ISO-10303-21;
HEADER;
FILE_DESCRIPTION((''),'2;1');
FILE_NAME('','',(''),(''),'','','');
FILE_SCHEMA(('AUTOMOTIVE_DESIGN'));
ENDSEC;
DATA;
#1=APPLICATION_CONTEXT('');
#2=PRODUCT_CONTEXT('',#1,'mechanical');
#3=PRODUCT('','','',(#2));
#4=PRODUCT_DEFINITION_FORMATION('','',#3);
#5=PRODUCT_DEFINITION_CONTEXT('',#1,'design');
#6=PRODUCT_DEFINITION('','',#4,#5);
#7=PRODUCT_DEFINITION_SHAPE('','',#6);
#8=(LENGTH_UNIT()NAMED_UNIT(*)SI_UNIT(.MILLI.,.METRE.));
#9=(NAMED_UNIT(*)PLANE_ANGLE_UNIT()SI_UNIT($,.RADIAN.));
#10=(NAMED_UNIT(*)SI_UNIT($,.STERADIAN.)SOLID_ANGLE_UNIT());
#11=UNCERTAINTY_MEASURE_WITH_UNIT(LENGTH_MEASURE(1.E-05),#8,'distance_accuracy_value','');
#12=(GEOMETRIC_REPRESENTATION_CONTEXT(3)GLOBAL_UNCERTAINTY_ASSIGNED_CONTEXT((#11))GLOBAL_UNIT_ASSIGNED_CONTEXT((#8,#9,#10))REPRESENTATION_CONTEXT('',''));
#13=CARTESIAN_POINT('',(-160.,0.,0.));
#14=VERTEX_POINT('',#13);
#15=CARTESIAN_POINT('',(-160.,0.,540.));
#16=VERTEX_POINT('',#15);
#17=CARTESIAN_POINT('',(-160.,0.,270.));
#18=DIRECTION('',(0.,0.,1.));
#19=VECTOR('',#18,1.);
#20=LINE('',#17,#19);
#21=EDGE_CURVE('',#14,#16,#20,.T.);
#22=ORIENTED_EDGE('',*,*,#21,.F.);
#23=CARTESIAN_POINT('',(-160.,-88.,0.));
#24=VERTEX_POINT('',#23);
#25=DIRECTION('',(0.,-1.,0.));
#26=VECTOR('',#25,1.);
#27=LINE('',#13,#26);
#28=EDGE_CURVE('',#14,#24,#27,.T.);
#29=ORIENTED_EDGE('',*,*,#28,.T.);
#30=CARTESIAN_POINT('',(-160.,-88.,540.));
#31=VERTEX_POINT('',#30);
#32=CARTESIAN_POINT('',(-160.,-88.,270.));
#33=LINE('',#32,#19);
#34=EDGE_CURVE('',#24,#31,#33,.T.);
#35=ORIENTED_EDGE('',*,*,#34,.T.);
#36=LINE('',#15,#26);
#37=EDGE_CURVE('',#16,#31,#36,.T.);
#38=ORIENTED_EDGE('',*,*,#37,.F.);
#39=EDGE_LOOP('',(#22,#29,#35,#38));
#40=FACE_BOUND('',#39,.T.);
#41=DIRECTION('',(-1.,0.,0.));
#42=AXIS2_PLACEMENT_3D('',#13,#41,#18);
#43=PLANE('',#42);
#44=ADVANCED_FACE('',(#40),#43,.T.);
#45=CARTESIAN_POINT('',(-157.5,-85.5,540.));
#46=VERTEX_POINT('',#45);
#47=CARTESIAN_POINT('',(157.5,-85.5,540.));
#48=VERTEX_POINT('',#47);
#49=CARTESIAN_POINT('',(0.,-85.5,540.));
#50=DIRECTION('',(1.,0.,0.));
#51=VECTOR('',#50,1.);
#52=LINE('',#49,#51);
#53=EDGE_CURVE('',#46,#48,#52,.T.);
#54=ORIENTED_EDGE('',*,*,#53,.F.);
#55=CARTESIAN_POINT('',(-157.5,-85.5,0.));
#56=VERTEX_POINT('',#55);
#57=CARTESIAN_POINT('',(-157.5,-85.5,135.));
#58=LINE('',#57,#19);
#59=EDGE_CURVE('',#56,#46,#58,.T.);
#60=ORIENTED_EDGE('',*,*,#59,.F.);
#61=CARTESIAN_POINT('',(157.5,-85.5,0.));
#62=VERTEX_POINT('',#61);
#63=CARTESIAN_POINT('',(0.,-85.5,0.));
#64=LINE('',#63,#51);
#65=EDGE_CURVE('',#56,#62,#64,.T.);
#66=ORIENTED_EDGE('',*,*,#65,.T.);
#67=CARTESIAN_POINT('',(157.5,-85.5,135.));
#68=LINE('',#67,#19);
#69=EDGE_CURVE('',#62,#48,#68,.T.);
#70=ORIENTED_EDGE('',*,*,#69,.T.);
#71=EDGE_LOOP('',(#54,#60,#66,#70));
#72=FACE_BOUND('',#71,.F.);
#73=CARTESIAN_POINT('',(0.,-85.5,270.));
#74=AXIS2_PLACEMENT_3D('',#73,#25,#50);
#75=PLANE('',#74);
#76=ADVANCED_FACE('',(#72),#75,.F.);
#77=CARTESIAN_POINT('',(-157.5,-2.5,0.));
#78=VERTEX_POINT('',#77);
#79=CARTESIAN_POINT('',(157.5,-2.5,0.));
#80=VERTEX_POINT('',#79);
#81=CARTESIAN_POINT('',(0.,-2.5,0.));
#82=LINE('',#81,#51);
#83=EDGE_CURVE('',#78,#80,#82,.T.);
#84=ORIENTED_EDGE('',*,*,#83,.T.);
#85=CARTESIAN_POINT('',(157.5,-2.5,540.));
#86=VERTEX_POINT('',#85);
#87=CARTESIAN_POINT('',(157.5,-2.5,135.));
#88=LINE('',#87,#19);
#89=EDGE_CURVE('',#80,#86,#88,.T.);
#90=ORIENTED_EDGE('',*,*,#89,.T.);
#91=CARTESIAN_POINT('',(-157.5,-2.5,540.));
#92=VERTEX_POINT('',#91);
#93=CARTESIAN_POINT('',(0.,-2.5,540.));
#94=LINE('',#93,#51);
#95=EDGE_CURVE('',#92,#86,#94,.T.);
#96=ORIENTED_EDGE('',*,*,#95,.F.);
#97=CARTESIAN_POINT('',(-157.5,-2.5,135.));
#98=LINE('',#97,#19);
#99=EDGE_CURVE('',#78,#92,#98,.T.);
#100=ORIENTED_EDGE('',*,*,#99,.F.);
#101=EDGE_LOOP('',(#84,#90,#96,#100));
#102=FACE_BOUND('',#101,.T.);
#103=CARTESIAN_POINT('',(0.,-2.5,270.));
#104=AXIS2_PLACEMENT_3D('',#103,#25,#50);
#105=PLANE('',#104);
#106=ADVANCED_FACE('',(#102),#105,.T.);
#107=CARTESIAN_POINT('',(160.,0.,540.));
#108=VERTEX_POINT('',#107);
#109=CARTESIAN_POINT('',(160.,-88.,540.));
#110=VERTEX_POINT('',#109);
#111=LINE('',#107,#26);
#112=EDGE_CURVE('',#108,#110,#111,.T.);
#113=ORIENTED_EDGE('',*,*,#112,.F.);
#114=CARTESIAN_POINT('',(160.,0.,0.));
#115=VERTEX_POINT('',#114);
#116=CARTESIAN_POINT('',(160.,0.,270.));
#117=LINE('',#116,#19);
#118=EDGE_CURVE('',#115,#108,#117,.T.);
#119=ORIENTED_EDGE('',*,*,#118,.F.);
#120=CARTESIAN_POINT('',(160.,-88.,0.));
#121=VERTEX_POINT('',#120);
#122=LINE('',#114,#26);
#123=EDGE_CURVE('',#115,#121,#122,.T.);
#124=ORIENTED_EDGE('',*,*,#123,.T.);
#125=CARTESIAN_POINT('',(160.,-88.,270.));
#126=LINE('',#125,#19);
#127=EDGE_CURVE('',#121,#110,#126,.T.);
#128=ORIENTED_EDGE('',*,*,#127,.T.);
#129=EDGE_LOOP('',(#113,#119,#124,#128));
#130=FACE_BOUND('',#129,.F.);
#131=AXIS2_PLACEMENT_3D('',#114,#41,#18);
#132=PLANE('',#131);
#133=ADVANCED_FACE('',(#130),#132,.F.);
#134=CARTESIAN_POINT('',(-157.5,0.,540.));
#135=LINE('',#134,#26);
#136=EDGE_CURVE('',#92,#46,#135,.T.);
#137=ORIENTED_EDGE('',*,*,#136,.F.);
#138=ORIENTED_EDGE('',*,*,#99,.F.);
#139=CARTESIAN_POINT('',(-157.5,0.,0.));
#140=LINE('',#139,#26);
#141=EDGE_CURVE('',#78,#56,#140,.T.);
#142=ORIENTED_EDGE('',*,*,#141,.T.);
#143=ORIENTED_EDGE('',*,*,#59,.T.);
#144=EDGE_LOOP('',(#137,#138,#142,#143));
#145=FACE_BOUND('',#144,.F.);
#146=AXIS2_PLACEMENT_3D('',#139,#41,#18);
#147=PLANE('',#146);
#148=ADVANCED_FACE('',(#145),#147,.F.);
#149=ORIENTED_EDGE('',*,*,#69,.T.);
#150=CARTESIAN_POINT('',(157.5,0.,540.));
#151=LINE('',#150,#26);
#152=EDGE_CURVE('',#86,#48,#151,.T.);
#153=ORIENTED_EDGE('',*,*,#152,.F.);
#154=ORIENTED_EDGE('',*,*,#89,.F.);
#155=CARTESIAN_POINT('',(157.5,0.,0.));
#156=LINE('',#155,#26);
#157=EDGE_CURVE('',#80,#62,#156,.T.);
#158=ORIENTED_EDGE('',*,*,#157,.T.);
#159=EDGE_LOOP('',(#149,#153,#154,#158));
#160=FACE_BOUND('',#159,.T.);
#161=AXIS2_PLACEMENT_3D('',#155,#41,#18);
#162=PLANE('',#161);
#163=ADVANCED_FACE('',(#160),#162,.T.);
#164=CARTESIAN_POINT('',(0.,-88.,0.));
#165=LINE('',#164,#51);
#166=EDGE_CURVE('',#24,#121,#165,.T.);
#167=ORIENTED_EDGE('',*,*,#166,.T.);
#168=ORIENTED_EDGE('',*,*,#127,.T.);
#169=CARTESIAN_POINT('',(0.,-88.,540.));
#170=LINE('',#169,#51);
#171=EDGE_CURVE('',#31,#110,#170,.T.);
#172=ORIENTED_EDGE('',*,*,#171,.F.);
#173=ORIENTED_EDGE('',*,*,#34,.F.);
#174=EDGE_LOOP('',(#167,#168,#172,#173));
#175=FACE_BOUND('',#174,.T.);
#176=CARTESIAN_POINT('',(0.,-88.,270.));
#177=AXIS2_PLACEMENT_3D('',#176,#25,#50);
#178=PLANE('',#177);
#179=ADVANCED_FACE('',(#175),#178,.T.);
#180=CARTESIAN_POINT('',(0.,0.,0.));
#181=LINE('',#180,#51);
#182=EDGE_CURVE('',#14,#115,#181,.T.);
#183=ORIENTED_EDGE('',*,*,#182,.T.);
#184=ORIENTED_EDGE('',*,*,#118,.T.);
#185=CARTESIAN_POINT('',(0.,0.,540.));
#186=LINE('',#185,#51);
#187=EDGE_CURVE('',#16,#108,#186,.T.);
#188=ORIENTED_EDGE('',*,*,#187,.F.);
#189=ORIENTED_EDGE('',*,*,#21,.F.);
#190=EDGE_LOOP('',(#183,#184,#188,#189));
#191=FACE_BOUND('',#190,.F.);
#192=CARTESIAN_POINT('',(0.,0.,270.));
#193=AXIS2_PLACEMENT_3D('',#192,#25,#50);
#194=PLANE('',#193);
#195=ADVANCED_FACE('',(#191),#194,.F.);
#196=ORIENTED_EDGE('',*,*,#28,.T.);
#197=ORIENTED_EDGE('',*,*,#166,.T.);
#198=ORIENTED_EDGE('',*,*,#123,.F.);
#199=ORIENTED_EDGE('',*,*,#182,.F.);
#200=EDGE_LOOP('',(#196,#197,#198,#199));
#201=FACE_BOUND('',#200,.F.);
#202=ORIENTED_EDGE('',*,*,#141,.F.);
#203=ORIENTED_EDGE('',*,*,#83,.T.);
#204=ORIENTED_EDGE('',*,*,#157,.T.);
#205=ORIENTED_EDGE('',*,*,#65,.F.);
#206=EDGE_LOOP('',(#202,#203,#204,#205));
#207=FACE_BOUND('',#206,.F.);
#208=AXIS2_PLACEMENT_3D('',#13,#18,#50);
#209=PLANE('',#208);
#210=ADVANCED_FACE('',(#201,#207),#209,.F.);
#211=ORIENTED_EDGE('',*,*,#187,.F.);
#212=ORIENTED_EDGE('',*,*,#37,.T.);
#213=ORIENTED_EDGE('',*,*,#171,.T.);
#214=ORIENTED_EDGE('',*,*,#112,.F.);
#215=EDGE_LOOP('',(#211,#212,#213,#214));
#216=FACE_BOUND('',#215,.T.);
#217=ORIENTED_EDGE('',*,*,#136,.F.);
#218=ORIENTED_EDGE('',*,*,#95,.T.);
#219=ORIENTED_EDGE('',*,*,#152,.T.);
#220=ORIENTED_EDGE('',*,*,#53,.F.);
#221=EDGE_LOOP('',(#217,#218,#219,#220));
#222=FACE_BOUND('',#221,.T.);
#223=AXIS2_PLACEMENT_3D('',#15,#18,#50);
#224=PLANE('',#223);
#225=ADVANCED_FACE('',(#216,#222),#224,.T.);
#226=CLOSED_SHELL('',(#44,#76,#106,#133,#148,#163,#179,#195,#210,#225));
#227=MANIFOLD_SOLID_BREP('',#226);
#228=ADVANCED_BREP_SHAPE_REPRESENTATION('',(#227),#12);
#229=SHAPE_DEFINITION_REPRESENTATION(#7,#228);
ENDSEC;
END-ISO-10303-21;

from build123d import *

# Parameters (mm, degrees)
F0_W     = 320
F0_H     = 540
F1_DEPTH = 88
F2_T     = -2.5


with BuildPart() as f1:
    # F0 (on Front) → F1 (new body)
    with BuildSketch(Plane.XZ):
        with Locations((0, 270)):
            Rectangle(F0_W, F0_H)
    extrude(amount=F1_DEPTH)

    # F2
    f2_openings = [f1.faces().sort_by_distance(p)[0] for p in [
        (0, -44, 540),
        (0, -44, 0),
    ]]
    offset(amount=F2_T, openings=f2_openings)


solid = f1.part
